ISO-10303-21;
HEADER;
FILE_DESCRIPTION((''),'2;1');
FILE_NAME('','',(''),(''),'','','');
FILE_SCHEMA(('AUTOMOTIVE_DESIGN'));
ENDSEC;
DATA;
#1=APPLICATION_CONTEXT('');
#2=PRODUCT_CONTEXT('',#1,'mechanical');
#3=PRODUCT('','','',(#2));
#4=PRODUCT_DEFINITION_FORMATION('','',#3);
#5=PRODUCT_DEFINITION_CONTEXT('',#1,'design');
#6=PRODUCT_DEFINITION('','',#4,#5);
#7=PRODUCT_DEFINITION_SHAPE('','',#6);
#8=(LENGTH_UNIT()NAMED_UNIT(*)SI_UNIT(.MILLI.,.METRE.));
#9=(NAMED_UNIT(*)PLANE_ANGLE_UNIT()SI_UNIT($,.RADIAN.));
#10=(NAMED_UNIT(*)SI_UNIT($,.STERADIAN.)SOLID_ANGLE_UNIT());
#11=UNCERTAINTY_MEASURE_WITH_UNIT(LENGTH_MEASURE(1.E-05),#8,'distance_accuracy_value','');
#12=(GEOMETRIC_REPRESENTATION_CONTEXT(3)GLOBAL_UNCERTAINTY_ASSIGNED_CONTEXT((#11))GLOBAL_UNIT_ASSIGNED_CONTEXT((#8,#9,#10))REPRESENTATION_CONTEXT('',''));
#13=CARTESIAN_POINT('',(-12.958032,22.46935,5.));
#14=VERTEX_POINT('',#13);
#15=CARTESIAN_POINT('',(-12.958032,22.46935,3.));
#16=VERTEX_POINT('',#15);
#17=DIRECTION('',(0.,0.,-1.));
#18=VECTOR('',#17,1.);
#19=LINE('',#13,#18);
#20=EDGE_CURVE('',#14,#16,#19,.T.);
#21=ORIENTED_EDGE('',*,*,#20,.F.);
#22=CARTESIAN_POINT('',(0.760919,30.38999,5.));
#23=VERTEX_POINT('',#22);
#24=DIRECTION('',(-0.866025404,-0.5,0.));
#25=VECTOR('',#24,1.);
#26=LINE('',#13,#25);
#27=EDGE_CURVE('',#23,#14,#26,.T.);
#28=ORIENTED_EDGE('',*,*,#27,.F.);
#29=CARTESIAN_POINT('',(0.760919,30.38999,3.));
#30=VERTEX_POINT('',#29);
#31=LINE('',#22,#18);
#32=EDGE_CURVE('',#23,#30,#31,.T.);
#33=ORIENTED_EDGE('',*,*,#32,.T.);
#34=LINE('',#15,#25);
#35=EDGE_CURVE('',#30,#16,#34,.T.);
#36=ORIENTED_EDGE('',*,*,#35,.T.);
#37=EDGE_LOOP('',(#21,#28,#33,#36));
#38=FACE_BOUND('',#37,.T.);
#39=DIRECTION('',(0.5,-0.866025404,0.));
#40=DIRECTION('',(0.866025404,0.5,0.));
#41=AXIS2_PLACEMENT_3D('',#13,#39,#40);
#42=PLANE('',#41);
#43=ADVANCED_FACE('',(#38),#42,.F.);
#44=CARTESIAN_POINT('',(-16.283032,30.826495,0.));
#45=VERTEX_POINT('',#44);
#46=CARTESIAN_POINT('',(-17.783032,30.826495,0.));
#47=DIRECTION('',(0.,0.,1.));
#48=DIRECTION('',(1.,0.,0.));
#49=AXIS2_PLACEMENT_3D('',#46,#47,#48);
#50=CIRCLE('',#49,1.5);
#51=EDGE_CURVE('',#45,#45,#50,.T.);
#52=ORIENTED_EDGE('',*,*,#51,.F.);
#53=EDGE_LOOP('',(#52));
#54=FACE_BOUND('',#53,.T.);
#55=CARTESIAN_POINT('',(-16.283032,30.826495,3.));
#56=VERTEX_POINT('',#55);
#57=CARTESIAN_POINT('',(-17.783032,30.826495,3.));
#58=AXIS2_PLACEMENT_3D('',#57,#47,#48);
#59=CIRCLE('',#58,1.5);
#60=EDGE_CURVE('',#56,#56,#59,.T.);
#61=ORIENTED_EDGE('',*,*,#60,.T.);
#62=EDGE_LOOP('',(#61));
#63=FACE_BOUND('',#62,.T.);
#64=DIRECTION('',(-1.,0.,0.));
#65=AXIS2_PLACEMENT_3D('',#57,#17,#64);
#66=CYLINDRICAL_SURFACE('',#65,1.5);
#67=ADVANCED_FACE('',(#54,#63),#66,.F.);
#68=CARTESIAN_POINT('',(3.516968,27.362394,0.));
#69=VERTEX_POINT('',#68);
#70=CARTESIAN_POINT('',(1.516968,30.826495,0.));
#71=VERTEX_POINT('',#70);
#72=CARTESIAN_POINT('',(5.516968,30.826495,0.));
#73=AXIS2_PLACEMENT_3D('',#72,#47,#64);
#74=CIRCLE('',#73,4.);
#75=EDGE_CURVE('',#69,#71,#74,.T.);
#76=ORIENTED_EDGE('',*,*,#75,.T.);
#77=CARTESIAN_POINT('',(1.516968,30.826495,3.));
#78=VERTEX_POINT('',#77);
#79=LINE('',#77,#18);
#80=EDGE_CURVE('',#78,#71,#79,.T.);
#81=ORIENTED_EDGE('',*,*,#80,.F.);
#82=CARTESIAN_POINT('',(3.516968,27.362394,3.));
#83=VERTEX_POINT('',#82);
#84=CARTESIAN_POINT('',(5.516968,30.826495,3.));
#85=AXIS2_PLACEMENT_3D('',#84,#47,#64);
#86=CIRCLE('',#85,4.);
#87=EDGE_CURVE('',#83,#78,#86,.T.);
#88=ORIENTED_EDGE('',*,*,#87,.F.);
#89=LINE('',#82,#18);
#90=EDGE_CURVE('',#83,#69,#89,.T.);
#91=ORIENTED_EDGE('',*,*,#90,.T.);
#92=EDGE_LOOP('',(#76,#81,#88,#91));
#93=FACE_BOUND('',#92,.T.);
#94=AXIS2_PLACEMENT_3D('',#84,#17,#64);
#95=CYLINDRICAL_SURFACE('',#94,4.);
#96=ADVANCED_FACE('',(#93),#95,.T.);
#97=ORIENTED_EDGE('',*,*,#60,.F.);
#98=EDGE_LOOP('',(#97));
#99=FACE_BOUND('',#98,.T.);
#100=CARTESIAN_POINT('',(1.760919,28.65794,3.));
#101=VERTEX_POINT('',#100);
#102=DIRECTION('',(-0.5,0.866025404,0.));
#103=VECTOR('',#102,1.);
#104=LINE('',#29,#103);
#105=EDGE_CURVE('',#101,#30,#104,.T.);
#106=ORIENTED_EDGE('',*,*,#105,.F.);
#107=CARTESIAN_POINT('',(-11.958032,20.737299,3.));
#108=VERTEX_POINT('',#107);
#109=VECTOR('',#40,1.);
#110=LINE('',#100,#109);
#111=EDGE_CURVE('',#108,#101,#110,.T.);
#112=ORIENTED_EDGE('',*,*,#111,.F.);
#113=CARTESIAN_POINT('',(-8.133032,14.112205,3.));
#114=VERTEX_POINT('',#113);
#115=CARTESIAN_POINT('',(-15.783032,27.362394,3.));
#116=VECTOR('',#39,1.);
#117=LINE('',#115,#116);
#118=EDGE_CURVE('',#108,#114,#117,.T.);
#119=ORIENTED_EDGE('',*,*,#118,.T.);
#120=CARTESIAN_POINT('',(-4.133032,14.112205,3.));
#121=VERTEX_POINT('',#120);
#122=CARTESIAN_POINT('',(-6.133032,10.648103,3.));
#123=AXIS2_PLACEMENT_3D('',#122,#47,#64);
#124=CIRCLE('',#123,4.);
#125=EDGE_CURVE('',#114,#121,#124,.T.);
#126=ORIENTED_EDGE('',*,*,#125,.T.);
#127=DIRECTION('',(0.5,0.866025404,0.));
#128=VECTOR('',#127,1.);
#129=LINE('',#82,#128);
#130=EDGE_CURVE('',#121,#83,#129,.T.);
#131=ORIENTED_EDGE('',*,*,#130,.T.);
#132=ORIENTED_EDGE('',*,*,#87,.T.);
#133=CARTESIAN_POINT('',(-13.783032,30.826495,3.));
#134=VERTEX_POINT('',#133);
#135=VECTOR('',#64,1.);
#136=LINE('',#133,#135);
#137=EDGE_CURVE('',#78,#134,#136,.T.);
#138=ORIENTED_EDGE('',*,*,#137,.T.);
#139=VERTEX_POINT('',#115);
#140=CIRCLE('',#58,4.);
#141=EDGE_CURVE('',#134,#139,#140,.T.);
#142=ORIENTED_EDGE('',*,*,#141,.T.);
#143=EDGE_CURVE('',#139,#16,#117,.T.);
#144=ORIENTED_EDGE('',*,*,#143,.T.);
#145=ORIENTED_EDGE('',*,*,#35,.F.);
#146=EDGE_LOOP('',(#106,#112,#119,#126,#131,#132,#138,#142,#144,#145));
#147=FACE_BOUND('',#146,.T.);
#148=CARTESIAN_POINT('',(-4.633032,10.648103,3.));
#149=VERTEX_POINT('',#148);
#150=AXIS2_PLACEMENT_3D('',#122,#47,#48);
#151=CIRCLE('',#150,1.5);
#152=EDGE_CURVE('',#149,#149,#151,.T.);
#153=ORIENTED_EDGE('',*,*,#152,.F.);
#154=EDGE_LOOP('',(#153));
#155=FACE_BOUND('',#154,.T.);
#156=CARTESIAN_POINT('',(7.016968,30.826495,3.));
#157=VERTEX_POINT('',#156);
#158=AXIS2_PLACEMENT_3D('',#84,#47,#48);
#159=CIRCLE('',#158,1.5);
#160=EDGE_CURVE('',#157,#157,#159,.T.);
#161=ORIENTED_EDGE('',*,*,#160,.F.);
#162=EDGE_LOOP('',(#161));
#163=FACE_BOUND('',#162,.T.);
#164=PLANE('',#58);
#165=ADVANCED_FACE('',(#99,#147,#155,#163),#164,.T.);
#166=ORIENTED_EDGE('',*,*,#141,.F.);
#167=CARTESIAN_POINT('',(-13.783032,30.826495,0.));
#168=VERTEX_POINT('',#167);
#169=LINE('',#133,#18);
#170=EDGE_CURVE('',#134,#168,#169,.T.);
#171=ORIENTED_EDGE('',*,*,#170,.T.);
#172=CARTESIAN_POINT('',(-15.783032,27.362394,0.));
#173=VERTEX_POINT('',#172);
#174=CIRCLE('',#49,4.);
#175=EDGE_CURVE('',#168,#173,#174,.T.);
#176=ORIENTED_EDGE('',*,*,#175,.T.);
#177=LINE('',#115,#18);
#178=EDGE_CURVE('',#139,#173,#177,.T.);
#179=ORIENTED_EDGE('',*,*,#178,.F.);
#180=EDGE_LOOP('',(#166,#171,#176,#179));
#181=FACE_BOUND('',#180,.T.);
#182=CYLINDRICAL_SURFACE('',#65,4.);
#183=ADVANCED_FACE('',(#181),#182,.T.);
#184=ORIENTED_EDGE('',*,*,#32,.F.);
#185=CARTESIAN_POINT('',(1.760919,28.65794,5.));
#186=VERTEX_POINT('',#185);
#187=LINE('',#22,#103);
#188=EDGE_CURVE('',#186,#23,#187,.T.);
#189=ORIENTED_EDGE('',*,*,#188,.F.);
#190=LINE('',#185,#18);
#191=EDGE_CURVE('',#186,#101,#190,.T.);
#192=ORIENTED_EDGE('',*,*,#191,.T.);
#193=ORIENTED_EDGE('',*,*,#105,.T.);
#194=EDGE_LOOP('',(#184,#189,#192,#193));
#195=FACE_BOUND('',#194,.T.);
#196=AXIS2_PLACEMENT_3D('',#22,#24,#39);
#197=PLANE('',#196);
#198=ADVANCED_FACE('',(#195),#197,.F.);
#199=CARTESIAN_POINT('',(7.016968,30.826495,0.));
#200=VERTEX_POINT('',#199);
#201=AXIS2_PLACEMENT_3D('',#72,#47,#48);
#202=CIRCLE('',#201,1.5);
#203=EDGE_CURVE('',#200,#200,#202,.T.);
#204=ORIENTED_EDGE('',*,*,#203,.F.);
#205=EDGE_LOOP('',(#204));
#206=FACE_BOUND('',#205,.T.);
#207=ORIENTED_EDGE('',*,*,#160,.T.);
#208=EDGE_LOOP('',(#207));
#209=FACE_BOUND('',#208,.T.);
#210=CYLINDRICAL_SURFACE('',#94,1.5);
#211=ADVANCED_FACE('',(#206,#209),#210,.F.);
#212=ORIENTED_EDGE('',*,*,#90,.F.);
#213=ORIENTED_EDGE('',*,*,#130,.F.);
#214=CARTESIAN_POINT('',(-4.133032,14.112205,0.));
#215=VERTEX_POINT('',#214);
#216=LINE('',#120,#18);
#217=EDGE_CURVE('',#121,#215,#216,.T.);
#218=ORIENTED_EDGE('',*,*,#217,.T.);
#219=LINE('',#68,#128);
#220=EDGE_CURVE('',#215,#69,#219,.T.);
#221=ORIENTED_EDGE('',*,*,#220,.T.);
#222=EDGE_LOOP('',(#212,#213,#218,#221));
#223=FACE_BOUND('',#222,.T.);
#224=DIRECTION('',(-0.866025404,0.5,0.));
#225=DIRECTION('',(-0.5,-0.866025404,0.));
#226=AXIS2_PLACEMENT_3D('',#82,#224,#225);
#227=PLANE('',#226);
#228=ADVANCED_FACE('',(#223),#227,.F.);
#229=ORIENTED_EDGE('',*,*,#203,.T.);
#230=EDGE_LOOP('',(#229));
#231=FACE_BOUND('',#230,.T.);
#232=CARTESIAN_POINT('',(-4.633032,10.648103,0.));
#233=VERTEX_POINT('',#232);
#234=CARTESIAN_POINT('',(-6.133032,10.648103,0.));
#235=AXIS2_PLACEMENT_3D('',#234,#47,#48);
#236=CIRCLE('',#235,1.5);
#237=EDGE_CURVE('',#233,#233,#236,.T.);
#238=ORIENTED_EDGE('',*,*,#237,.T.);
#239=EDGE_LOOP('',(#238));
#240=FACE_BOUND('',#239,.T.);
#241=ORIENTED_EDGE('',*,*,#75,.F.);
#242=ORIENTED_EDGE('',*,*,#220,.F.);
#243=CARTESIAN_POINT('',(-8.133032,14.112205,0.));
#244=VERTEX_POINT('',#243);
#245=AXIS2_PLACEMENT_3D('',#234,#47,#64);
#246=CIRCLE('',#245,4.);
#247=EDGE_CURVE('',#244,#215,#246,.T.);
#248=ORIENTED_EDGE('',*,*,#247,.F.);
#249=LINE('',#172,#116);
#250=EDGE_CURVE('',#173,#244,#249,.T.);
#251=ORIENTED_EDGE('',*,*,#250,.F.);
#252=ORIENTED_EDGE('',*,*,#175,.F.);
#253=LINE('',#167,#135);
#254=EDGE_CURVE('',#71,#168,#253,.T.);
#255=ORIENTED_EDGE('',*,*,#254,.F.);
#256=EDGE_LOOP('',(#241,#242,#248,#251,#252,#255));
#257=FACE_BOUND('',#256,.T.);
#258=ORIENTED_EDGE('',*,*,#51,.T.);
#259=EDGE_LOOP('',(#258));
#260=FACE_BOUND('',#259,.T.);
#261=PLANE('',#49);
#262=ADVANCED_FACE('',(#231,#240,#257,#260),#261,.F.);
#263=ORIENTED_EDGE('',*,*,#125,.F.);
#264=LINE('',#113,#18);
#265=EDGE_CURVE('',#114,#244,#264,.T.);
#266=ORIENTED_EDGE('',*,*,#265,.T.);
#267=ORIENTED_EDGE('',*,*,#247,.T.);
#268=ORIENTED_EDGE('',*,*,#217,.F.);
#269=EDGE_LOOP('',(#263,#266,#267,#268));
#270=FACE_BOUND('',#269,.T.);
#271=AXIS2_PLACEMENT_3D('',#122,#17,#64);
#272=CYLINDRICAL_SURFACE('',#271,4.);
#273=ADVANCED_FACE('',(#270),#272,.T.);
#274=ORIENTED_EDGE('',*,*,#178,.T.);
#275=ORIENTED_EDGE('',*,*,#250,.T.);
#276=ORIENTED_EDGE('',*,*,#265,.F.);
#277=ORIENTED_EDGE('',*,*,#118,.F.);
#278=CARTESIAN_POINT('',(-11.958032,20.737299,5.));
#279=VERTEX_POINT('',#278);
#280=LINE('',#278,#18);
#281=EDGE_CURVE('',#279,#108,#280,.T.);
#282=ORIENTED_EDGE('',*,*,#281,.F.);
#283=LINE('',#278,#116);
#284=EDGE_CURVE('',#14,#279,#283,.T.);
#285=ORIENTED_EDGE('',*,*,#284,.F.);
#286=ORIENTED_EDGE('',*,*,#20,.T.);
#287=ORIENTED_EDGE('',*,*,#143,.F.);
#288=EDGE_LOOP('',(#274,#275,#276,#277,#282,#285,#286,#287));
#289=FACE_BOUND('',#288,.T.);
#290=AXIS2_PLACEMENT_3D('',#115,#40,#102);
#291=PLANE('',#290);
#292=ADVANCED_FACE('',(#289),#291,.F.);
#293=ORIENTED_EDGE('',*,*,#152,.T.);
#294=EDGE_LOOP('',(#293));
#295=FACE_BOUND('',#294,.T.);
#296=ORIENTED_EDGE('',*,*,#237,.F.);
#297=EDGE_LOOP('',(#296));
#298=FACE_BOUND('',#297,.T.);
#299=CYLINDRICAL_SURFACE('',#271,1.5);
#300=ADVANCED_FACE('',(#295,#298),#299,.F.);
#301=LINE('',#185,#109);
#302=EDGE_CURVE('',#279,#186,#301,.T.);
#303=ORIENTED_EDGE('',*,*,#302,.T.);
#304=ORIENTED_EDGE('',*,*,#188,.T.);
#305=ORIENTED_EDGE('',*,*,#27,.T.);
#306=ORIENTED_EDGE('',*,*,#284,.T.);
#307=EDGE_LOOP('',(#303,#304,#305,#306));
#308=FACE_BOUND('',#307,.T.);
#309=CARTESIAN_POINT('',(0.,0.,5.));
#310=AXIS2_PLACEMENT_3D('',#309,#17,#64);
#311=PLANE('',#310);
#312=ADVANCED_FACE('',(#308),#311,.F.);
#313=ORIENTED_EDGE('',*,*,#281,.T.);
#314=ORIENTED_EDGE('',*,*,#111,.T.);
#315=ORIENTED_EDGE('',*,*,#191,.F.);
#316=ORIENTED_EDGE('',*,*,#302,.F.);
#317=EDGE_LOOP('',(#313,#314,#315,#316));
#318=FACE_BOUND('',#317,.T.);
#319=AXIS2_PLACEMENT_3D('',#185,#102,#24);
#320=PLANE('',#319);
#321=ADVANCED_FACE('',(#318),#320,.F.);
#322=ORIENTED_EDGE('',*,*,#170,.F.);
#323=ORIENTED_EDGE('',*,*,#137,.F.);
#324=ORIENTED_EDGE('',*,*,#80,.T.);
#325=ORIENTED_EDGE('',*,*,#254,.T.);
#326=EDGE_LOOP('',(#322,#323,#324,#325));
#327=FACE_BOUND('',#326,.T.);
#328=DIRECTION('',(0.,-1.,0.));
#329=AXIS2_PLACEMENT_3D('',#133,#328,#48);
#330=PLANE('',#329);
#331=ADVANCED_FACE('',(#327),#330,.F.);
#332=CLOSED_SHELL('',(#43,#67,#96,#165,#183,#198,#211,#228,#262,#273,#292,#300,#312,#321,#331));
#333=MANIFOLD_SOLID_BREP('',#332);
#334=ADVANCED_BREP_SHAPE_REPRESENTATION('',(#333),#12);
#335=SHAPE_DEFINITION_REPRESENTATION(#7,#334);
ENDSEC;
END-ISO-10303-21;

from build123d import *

# Parameters (mm, degrees)
BODY_R          = 1.5
MAIN_BODY_DEPTH = 3
FIT_DEPTH       = 2


with BuildPart() as part:
    # body → main-body (new body)
    with BuildSketch(Plane.XY):
        with BuildLine():
            Line((-13.783032013, 30.826495293), (1.516967987, 30.826495293))
            ThreePointArc((1.516967987, 30.826495293), (8.981069602, 32.826495293), (3.516967987, 27.362393677))
            Line((3.516967987, 27.362393677), (-4.133032013, 14.112205))
            ThreePointArc((-4.133032013, 14.112205), (-6.133032013, 6.648103384), (-8.133032013, 14.112205))
            Line((-8.133032013, 14.112205), (-15.783032013, 27.362393677))
            ThreePointArc((-15.783032013, 27.362393677), (-21.247133628, 32.826495293), (-13.783032013, 30.826495293))
        make_face()
        with Locations((-17.783032013, 30.826495293)):
            Circle(BODY_R, mode=Mode.SUBTRACT)
        with Locations((5.516967987, 30.826495293)):
            Circle(BODY_R, mode=Mode.SUBTRACT)
        with Locations((-6.133032013, 10.648103384)):
            Circle(BODY_R, mode=Mode.SUBTRACT)
    extrude(amount=MAIN_BODY_DEPTH)

    # Skizze3 → fit (add)
    with BuildSketch(Plane.XY.offset(3)):
        Polygon((-11.958032013, 20.737299339), (-12.958032013, 22.469350146), (0.760919419, 30.389990449), (1.760919419, 28.657939641), align=None)
    extrude(amount=FIT_DEPTH)


solid = part.part
